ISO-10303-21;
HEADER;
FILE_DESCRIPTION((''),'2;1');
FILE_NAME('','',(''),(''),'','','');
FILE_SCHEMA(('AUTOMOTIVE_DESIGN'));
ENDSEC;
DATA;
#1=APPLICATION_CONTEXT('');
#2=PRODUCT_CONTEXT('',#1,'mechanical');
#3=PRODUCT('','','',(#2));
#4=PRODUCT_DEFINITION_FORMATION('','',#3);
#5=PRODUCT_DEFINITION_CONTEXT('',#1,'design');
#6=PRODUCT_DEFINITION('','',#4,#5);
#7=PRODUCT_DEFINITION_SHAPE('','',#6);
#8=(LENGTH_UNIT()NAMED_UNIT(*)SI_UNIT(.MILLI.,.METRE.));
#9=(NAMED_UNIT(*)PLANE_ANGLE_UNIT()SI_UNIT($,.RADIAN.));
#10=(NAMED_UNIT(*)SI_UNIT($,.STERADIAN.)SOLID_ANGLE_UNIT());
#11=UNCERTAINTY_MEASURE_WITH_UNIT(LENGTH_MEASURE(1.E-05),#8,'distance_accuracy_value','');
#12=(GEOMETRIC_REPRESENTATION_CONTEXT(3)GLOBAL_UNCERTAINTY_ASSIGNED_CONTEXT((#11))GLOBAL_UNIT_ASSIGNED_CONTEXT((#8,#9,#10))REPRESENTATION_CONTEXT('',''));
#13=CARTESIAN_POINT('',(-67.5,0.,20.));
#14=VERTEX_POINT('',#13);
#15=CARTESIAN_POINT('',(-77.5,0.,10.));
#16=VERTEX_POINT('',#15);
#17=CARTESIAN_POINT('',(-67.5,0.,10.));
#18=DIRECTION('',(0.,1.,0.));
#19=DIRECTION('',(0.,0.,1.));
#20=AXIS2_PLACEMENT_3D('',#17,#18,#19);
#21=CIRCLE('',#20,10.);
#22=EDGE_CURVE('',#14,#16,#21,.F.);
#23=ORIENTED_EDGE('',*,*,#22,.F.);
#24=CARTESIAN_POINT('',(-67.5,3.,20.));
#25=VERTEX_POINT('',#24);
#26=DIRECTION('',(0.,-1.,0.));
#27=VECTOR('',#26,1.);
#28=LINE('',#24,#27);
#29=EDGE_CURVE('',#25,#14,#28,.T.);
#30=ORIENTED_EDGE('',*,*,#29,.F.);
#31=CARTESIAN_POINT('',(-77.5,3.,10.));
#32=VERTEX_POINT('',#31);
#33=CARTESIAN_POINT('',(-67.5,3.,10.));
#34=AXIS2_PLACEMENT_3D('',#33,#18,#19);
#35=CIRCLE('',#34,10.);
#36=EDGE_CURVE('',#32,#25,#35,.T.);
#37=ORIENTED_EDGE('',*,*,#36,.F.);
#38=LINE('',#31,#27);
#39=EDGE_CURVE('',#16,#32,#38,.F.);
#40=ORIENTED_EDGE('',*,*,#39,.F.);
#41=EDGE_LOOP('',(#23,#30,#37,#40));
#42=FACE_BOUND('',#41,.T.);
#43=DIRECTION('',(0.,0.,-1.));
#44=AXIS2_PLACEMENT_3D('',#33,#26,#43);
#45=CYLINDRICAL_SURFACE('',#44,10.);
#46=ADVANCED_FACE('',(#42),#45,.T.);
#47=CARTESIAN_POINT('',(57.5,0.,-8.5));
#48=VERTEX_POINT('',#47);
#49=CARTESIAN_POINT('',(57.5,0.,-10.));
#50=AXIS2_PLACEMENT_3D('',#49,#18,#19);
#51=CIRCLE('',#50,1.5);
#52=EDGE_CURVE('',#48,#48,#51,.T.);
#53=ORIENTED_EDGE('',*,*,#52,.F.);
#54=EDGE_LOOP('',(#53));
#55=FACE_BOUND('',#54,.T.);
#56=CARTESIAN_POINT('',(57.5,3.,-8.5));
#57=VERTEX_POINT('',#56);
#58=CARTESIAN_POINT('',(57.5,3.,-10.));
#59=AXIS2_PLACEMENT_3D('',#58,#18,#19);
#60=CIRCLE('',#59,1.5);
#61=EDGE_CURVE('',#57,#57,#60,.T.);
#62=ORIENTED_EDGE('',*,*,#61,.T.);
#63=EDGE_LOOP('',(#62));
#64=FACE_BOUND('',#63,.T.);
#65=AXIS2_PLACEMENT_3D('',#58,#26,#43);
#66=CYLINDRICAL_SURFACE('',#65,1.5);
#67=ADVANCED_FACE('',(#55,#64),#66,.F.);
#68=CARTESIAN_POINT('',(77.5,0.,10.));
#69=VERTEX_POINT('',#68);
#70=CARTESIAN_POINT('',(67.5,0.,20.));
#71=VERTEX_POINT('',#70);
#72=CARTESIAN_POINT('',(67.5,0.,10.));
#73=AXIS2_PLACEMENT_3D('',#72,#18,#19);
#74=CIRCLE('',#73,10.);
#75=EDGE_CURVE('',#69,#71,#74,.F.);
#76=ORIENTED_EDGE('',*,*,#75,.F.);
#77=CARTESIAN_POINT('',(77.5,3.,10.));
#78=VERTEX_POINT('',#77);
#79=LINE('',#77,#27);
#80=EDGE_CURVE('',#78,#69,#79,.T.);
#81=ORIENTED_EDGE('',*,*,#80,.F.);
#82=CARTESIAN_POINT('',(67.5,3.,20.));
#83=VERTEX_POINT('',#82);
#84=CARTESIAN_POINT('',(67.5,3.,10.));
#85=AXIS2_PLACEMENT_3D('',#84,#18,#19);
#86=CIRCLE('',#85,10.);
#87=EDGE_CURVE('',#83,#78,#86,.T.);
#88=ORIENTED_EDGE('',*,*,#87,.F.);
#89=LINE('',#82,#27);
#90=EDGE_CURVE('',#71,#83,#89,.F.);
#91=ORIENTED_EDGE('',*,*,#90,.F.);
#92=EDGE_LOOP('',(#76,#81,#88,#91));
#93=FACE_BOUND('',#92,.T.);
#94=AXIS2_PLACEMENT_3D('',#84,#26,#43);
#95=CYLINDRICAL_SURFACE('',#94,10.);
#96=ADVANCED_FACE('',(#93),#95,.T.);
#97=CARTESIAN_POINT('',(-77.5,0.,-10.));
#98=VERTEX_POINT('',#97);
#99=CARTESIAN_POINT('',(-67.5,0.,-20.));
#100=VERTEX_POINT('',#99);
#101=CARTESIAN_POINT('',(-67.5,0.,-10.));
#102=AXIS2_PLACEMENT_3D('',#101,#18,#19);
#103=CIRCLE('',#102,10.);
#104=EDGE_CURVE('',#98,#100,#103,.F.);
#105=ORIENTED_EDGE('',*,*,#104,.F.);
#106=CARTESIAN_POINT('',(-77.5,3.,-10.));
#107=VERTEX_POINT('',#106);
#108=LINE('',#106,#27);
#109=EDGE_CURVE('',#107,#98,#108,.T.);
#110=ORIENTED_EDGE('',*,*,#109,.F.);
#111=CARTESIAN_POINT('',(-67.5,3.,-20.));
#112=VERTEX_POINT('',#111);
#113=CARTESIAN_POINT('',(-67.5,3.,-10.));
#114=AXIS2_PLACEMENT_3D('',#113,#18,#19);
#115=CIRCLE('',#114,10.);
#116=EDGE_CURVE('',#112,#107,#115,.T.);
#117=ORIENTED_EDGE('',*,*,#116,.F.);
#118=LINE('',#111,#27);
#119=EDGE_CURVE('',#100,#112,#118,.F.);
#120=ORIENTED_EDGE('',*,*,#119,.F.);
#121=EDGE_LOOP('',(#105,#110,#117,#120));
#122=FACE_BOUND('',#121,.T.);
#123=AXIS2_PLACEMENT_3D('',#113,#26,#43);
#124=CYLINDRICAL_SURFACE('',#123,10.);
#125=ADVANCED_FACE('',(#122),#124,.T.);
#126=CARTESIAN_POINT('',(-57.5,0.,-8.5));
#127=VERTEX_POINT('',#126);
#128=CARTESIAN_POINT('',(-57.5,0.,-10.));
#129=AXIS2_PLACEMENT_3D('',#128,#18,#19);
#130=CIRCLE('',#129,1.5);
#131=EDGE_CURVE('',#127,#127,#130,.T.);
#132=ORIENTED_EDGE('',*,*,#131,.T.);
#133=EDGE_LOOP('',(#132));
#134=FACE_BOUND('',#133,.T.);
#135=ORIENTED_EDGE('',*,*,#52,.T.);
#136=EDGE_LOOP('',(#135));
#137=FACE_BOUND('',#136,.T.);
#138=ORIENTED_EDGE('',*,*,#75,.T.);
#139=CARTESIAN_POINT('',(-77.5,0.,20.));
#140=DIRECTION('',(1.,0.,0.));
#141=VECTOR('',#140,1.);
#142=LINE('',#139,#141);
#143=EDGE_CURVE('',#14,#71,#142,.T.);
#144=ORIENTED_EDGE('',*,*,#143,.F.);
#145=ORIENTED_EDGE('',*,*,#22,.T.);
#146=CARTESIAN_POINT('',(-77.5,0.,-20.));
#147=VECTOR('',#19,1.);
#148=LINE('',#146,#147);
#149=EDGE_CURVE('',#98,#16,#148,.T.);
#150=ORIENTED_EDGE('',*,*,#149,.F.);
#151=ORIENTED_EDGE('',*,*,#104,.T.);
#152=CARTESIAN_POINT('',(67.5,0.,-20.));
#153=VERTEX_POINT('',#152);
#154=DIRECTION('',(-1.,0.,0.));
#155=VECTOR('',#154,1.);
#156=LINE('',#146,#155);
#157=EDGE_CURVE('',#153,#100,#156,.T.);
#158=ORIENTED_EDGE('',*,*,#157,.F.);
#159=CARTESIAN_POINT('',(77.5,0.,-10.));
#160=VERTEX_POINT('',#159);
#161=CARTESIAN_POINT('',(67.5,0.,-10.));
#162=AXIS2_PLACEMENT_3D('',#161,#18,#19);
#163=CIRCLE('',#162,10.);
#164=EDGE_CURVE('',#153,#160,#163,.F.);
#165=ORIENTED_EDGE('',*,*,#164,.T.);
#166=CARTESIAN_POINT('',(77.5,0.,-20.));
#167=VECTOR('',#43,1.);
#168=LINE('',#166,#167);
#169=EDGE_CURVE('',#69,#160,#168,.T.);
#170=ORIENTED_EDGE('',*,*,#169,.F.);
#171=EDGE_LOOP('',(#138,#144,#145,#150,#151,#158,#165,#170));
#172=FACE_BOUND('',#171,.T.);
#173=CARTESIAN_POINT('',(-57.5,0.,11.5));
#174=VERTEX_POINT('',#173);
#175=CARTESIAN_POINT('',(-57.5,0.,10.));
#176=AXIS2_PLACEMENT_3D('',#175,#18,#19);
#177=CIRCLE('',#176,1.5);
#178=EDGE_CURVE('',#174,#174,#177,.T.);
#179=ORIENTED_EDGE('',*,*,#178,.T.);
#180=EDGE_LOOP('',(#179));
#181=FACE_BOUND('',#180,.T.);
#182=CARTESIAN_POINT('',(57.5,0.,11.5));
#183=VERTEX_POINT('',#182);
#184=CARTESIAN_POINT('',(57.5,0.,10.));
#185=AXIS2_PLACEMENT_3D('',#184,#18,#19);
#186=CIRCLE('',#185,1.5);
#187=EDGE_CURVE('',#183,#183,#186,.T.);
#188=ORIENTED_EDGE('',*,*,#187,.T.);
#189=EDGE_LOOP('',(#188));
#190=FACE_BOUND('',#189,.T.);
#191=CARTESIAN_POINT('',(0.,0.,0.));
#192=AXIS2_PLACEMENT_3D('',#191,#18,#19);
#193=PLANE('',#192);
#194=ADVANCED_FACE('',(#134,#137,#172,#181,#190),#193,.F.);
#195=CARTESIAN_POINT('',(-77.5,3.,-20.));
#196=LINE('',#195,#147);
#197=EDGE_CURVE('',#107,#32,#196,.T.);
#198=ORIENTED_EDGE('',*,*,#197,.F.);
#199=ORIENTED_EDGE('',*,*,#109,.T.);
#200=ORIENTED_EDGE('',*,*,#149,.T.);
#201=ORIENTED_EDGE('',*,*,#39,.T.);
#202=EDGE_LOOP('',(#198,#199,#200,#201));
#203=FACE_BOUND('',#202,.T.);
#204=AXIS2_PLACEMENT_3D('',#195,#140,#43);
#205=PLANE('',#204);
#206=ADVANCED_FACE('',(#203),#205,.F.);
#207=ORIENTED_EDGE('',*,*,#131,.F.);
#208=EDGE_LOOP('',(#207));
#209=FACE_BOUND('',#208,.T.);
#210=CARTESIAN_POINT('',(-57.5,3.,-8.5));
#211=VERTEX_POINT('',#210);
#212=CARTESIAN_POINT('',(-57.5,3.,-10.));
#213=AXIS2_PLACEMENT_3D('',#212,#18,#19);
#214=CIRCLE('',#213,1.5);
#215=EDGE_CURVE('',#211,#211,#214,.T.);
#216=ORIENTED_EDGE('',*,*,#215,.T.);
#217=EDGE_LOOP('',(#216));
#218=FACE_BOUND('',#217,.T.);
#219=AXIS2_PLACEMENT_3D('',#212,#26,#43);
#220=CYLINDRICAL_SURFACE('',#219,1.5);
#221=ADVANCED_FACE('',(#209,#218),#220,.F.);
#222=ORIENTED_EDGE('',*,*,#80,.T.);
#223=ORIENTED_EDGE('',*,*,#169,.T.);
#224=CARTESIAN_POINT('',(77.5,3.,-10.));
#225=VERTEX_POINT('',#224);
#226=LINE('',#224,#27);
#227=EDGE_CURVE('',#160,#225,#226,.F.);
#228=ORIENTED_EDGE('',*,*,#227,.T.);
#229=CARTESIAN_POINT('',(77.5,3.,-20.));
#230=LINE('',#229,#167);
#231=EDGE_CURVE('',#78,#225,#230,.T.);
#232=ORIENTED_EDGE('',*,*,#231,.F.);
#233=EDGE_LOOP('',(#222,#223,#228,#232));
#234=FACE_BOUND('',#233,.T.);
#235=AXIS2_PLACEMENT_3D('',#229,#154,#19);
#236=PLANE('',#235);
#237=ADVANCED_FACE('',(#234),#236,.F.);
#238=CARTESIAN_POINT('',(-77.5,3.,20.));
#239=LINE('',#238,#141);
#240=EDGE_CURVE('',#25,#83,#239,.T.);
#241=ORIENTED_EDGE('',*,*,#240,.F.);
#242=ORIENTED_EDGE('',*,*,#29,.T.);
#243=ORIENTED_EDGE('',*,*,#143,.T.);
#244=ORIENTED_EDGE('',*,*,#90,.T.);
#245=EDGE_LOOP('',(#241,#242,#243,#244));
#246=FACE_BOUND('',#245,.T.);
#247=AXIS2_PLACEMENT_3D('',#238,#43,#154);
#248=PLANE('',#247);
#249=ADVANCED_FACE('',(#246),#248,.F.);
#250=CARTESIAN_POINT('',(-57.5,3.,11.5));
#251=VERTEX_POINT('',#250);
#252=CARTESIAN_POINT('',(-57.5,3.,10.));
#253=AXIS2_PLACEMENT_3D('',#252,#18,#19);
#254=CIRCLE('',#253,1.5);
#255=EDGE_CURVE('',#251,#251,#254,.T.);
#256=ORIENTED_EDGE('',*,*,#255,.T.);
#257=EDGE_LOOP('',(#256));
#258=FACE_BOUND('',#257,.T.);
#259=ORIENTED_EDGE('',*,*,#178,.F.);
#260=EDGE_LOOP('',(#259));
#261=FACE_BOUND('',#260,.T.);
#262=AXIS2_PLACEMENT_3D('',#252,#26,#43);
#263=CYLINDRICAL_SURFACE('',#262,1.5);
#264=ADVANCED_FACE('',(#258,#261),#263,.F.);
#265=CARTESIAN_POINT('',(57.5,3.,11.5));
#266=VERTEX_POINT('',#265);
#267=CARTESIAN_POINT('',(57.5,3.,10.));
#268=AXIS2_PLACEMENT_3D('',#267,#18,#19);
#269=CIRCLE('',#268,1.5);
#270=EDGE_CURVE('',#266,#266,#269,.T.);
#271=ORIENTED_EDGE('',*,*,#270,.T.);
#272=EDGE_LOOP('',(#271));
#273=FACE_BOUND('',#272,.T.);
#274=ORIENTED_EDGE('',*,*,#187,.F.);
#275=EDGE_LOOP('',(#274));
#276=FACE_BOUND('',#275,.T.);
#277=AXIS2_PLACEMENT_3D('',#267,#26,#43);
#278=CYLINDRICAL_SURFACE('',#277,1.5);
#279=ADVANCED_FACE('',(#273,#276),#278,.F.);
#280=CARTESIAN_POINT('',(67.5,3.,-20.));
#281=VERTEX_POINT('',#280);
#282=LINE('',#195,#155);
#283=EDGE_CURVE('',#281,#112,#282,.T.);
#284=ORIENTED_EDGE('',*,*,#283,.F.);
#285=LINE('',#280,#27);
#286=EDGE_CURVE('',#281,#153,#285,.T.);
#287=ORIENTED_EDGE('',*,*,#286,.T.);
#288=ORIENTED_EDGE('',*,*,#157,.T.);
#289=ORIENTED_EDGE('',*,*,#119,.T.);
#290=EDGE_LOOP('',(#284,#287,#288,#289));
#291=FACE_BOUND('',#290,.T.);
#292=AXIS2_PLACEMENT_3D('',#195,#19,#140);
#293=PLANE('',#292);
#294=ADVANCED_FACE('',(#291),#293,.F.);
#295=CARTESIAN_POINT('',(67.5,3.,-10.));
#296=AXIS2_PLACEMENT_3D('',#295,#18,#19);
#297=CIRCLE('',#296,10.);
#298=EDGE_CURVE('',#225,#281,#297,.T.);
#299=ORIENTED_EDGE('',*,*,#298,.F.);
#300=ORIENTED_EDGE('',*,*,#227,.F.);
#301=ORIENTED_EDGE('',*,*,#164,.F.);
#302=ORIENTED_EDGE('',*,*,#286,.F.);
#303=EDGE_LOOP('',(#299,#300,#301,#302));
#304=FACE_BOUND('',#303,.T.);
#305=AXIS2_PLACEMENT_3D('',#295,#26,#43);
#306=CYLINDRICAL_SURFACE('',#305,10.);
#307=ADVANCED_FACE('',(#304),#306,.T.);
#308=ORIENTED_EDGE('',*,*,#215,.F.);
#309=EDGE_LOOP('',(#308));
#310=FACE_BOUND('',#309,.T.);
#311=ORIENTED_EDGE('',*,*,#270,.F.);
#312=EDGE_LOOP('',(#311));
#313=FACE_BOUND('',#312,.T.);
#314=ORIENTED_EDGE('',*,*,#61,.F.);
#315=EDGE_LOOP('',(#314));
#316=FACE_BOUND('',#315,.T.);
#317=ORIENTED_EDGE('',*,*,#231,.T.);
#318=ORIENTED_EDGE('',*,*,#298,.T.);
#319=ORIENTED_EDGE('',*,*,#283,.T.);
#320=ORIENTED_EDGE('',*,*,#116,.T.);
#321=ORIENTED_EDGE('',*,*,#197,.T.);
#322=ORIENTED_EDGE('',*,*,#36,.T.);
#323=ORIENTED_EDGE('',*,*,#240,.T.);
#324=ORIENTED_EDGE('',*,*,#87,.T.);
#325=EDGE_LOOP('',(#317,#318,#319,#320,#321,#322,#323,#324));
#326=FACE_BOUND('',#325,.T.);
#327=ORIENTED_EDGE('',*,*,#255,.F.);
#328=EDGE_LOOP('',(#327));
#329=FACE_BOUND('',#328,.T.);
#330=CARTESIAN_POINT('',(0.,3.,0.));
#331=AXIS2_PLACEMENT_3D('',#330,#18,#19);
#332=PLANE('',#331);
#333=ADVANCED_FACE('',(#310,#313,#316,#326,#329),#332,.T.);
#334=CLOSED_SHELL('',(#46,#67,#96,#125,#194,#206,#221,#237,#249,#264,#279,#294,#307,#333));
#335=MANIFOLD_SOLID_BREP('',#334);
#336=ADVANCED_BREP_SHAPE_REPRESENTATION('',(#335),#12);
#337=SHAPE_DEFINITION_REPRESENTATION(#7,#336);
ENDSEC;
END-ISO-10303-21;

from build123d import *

# Parameters (mm, degrees)
SKETCH_1_W      = 155
SKETCH_1_H      = 40
SKETCH_1_R      = 1.5
EXTRUDE_1_DEPTH = 3
FILLET_1_R      = 10


with BuildPart() as part:
    # 草圖1 → 填料-伸長1 (new body)
    with BuildSketch(Plane(origin=(0, 0, 0), x_dir=(1, 0, 0), z_dir=(0, 1, 0))):
        Rectangle(SKETCH_1_W, SKETCH_1_H)
        with Locations(Location((-57.5, 10, 0), (0, 0, 270))):
            Circle(SKETCH_1_R, mode=Mode.SUBTRACT)
        with Locations(Location((-57.5, -10, 0), (0, 0, 270))):
            Circle(SKETCH_1_R, mode=Mode.SUBTRACT)
        with Locations(Location((57.5, -10, 0), (0, 0, 270))):
            Circle(SKETCH_1_R, mode=Mode.SUBTRACT)
        with Locations(Location((57.5, 10, 0), (0, 0, 270))):
            Circle(SKETCH_1_R, mode=Mode.SUBTRACT)
    extrude(amount=EXTRUDE_1_DEPTH)

    # 圓角1
    fillet_1_edges = [part.edges().sort_by_distance(p)[0] for p in [
        (77.5, 1.5, 20),
        (-77.5, 1.5, 20),
        (-77.5, 1.5, -20),
        (77.5, 1.5, -20),
    ]]
    fillet(fillet_1_edges, radius=FILLET_1_R)


solid = part.part
